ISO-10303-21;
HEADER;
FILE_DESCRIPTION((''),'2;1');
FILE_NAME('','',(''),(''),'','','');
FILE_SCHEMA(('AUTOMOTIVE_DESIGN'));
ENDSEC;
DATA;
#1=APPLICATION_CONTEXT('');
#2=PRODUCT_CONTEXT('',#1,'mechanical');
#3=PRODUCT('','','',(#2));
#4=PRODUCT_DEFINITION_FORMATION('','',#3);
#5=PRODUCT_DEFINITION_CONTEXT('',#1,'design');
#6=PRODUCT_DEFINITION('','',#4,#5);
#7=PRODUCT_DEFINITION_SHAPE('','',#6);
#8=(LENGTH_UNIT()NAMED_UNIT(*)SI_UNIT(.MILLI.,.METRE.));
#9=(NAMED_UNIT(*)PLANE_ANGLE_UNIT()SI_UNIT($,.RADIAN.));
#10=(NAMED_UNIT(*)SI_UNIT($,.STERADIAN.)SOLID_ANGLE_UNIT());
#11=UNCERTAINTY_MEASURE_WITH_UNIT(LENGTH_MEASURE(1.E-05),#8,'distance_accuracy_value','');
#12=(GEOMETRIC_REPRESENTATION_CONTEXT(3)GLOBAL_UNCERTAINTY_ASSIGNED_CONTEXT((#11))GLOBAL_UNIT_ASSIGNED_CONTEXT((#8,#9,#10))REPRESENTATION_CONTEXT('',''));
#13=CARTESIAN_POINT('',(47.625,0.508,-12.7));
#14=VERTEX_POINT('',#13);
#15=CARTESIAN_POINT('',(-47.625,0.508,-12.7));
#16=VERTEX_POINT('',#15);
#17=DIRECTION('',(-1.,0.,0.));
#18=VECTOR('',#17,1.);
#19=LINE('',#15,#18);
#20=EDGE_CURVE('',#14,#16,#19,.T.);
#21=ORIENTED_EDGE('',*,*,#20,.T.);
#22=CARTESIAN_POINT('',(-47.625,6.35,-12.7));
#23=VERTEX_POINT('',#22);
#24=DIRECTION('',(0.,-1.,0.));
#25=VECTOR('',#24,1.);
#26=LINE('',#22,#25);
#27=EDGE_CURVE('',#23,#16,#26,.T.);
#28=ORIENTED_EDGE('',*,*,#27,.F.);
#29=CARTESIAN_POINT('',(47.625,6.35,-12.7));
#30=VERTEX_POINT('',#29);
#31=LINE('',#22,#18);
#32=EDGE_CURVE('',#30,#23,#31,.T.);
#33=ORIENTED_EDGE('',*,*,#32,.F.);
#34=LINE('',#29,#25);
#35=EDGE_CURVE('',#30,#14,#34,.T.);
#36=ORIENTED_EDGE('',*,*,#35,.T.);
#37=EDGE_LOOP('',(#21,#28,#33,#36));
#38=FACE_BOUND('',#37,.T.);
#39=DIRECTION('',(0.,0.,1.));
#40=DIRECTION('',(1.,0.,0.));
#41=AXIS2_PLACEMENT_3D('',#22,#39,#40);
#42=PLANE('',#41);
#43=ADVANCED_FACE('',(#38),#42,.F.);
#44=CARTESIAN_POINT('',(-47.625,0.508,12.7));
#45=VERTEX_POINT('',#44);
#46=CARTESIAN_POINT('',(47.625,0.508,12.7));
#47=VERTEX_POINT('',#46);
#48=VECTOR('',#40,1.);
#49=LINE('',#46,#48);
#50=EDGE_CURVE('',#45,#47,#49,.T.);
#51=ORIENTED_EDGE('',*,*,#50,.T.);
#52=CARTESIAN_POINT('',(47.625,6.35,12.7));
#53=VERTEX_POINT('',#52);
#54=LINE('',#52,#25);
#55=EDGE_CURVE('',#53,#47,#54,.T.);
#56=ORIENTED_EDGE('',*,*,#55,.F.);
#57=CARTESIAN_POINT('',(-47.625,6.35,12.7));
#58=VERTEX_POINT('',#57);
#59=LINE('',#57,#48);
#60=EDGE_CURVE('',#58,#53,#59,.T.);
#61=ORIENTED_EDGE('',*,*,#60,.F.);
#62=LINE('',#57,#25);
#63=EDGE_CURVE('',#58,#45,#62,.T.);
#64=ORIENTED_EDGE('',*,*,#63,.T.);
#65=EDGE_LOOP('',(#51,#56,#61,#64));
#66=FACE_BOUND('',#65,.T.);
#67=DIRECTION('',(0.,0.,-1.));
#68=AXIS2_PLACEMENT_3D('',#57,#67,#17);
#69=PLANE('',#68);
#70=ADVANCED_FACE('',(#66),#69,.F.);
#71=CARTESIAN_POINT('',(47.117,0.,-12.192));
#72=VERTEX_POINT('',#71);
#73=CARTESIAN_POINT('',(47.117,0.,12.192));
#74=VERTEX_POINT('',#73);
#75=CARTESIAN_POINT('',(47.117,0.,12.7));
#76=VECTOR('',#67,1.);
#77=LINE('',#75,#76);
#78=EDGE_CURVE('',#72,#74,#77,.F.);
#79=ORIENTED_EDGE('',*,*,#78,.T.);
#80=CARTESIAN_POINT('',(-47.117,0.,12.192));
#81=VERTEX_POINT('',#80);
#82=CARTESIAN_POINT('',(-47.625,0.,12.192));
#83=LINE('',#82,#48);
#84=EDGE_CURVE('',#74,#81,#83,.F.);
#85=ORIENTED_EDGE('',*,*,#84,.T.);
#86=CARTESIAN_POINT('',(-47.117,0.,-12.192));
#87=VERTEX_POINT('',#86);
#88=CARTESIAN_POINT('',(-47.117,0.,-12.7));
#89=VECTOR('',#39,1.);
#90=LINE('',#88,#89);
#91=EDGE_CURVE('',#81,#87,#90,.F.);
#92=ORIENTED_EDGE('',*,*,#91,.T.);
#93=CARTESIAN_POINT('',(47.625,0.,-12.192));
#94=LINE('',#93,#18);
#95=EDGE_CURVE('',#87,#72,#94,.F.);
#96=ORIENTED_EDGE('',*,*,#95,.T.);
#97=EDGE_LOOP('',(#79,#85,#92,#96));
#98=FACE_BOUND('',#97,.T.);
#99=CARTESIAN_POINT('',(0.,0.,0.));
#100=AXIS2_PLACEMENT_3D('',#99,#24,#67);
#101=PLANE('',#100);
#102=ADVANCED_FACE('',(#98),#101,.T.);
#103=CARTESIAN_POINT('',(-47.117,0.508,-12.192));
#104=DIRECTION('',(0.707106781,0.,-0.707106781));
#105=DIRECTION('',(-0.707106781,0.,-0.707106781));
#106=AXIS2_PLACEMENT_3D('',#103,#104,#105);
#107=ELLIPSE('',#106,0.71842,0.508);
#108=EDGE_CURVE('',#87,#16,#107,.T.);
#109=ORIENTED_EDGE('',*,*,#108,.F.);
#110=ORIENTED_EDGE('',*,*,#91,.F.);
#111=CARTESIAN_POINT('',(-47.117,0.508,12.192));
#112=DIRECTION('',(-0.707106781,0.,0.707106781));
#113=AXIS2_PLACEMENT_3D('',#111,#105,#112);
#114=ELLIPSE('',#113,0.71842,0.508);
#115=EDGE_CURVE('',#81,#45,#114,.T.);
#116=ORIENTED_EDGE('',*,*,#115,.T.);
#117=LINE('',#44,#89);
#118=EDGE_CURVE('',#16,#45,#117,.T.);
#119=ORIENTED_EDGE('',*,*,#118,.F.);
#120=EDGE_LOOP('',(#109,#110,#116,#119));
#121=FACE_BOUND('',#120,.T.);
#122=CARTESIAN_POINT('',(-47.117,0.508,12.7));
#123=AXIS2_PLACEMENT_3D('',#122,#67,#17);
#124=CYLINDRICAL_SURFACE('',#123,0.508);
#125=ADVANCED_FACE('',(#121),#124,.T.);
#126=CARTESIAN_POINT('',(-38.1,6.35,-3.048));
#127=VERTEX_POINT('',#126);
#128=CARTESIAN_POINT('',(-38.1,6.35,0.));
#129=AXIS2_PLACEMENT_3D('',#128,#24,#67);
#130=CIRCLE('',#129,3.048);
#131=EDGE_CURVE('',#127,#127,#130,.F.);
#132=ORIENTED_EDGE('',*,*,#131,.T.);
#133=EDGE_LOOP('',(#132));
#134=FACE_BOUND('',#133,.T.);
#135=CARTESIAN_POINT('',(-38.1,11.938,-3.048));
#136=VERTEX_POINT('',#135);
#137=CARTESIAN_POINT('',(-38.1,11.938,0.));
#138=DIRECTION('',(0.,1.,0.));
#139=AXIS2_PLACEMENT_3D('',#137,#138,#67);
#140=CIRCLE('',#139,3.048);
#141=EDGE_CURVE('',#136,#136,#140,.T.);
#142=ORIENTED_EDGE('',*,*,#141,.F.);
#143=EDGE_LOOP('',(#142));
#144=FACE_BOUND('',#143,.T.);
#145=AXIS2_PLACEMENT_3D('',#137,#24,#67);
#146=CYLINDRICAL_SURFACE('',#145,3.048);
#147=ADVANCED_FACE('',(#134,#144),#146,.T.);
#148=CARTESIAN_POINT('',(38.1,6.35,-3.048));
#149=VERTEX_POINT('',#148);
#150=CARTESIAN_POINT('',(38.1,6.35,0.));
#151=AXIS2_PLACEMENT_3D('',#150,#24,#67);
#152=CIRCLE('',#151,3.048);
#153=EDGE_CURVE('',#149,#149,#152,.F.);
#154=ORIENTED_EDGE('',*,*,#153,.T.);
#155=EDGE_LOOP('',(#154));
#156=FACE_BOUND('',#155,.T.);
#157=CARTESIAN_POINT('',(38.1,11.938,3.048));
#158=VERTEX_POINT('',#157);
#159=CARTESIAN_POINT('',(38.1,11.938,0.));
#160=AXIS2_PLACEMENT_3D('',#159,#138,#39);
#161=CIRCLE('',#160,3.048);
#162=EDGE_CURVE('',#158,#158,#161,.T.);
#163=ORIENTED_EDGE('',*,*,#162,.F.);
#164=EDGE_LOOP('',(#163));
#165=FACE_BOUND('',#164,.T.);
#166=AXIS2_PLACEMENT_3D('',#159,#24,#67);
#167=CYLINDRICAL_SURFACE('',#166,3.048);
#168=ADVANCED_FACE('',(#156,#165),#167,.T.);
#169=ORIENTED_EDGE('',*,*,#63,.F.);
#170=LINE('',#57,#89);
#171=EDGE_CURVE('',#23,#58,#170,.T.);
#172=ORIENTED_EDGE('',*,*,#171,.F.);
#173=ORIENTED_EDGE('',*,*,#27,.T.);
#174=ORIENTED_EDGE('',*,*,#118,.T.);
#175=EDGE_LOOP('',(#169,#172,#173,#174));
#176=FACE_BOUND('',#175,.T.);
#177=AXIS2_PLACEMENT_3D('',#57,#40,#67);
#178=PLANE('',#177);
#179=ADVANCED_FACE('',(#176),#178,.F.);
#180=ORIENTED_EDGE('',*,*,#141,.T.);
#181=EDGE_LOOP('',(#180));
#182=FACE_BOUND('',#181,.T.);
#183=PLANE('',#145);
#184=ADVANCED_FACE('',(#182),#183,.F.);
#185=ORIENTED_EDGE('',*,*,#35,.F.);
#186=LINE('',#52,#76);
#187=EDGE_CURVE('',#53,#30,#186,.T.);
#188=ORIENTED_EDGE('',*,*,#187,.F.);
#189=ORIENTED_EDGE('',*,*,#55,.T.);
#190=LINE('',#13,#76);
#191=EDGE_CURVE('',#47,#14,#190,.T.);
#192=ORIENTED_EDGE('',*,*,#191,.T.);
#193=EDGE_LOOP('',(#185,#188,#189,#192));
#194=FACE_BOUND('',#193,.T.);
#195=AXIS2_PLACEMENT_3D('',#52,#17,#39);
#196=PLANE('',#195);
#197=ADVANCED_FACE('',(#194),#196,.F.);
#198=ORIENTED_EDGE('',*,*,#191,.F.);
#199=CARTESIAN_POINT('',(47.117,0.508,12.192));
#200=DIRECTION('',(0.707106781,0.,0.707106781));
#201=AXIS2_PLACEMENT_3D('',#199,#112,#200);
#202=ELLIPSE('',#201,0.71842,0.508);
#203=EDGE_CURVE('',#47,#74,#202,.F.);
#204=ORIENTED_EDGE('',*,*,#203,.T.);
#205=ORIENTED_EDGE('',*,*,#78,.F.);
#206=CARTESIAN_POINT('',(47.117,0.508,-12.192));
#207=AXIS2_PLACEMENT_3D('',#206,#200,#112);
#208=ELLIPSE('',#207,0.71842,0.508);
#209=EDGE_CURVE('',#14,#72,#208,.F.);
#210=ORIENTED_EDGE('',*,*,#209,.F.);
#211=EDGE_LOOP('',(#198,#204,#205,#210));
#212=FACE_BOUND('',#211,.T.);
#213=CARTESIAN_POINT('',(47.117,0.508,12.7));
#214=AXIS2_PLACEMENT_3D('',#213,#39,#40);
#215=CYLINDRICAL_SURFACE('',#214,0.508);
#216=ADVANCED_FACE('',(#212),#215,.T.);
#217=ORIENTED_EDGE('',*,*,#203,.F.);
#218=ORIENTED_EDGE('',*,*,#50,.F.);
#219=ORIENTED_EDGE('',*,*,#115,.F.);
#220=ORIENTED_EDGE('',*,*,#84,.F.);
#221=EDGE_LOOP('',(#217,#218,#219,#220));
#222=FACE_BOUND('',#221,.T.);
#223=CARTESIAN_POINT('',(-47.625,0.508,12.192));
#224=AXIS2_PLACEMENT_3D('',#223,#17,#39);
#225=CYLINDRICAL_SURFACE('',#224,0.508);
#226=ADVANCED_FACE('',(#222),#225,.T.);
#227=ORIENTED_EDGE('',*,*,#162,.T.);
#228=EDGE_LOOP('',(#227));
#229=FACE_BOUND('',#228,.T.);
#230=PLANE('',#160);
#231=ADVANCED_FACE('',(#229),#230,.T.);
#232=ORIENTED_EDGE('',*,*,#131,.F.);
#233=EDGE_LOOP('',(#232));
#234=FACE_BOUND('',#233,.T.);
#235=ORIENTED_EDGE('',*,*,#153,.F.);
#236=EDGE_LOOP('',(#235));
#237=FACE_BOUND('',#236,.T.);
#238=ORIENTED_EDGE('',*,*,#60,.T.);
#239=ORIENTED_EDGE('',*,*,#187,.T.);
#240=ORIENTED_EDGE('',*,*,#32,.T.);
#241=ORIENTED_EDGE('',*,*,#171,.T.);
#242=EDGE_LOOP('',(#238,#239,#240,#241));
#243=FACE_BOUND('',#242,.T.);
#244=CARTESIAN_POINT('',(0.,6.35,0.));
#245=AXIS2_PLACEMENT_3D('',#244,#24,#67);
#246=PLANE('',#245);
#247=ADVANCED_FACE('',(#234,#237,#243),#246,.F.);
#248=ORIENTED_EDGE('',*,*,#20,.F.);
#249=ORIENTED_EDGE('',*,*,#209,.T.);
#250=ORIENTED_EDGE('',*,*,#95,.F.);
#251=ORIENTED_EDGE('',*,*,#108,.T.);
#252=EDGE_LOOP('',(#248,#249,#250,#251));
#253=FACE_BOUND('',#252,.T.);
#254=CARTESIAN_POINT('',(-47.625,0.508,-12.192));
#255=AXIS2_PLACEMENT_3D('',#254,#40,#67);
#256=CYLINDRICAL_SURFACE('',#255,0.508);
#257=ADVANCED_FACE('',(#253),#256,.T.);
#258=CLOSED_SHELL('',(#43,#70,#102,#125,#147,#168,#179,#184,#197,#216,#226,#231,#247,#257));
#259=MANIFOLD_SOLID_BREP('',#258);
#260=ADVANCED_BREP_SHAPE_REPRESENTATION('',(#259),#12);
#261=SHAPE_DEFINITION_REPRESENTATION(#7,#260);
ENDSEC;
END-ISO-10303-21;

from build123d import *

# Parameters (mm, degrees)
SKETCH1_W           = 95.25
SKETCH1_H           = 25.4
BOSS_EXTRUDE1_DEPTH = 6.35
SKETCH2_R           = 3.048
BOSS_EXTRUDE2_DEPTH = 5.588
FILLET1_R           = 0.508


with BuildPart() as part:
    # Sketch1 → Boss-Extrude1 (new body)
    with BuildSketch(Plane(origin=(0, 0, 0), x_dir=(1, 0, 0), z_dir=(0, 1, 0))):
        Rectangle(SKETCH1_W, SKETCH1_H)
    extrude(amount=BOSS_EXTRUDE1_DEPTH)

    # Sketch2 → Boss-Extrude2 (add)
    with BuildSketch(Plane(origin=(0, 6.35, 0), x_dir=(1, 0, 0), z_dir=(0, 1, 0))):
        with Locations(Location((38.1, 0, 0), (0, 0, 90))):
            Circle(SKETCH2_R)
        with Locations(Location((-38.1, 0, 0), (0, 0, 90))):
            Circle(SKETCH2_R)
    extrude(amount=BOSS_EXTRUDE2_DEPTH)

    # Fillet1
    fillet1_edges = [part.edges().sort_by_distance(p)[0] for p in [
        (0, 0, 12.7),
        (-47.625, 0, 0),
        (0, 0, -12.7),
        (47.625, 0, 0),
    ]]
    fillet(fillet1_edges, radius=FILLET1_R)


solid = part.part
